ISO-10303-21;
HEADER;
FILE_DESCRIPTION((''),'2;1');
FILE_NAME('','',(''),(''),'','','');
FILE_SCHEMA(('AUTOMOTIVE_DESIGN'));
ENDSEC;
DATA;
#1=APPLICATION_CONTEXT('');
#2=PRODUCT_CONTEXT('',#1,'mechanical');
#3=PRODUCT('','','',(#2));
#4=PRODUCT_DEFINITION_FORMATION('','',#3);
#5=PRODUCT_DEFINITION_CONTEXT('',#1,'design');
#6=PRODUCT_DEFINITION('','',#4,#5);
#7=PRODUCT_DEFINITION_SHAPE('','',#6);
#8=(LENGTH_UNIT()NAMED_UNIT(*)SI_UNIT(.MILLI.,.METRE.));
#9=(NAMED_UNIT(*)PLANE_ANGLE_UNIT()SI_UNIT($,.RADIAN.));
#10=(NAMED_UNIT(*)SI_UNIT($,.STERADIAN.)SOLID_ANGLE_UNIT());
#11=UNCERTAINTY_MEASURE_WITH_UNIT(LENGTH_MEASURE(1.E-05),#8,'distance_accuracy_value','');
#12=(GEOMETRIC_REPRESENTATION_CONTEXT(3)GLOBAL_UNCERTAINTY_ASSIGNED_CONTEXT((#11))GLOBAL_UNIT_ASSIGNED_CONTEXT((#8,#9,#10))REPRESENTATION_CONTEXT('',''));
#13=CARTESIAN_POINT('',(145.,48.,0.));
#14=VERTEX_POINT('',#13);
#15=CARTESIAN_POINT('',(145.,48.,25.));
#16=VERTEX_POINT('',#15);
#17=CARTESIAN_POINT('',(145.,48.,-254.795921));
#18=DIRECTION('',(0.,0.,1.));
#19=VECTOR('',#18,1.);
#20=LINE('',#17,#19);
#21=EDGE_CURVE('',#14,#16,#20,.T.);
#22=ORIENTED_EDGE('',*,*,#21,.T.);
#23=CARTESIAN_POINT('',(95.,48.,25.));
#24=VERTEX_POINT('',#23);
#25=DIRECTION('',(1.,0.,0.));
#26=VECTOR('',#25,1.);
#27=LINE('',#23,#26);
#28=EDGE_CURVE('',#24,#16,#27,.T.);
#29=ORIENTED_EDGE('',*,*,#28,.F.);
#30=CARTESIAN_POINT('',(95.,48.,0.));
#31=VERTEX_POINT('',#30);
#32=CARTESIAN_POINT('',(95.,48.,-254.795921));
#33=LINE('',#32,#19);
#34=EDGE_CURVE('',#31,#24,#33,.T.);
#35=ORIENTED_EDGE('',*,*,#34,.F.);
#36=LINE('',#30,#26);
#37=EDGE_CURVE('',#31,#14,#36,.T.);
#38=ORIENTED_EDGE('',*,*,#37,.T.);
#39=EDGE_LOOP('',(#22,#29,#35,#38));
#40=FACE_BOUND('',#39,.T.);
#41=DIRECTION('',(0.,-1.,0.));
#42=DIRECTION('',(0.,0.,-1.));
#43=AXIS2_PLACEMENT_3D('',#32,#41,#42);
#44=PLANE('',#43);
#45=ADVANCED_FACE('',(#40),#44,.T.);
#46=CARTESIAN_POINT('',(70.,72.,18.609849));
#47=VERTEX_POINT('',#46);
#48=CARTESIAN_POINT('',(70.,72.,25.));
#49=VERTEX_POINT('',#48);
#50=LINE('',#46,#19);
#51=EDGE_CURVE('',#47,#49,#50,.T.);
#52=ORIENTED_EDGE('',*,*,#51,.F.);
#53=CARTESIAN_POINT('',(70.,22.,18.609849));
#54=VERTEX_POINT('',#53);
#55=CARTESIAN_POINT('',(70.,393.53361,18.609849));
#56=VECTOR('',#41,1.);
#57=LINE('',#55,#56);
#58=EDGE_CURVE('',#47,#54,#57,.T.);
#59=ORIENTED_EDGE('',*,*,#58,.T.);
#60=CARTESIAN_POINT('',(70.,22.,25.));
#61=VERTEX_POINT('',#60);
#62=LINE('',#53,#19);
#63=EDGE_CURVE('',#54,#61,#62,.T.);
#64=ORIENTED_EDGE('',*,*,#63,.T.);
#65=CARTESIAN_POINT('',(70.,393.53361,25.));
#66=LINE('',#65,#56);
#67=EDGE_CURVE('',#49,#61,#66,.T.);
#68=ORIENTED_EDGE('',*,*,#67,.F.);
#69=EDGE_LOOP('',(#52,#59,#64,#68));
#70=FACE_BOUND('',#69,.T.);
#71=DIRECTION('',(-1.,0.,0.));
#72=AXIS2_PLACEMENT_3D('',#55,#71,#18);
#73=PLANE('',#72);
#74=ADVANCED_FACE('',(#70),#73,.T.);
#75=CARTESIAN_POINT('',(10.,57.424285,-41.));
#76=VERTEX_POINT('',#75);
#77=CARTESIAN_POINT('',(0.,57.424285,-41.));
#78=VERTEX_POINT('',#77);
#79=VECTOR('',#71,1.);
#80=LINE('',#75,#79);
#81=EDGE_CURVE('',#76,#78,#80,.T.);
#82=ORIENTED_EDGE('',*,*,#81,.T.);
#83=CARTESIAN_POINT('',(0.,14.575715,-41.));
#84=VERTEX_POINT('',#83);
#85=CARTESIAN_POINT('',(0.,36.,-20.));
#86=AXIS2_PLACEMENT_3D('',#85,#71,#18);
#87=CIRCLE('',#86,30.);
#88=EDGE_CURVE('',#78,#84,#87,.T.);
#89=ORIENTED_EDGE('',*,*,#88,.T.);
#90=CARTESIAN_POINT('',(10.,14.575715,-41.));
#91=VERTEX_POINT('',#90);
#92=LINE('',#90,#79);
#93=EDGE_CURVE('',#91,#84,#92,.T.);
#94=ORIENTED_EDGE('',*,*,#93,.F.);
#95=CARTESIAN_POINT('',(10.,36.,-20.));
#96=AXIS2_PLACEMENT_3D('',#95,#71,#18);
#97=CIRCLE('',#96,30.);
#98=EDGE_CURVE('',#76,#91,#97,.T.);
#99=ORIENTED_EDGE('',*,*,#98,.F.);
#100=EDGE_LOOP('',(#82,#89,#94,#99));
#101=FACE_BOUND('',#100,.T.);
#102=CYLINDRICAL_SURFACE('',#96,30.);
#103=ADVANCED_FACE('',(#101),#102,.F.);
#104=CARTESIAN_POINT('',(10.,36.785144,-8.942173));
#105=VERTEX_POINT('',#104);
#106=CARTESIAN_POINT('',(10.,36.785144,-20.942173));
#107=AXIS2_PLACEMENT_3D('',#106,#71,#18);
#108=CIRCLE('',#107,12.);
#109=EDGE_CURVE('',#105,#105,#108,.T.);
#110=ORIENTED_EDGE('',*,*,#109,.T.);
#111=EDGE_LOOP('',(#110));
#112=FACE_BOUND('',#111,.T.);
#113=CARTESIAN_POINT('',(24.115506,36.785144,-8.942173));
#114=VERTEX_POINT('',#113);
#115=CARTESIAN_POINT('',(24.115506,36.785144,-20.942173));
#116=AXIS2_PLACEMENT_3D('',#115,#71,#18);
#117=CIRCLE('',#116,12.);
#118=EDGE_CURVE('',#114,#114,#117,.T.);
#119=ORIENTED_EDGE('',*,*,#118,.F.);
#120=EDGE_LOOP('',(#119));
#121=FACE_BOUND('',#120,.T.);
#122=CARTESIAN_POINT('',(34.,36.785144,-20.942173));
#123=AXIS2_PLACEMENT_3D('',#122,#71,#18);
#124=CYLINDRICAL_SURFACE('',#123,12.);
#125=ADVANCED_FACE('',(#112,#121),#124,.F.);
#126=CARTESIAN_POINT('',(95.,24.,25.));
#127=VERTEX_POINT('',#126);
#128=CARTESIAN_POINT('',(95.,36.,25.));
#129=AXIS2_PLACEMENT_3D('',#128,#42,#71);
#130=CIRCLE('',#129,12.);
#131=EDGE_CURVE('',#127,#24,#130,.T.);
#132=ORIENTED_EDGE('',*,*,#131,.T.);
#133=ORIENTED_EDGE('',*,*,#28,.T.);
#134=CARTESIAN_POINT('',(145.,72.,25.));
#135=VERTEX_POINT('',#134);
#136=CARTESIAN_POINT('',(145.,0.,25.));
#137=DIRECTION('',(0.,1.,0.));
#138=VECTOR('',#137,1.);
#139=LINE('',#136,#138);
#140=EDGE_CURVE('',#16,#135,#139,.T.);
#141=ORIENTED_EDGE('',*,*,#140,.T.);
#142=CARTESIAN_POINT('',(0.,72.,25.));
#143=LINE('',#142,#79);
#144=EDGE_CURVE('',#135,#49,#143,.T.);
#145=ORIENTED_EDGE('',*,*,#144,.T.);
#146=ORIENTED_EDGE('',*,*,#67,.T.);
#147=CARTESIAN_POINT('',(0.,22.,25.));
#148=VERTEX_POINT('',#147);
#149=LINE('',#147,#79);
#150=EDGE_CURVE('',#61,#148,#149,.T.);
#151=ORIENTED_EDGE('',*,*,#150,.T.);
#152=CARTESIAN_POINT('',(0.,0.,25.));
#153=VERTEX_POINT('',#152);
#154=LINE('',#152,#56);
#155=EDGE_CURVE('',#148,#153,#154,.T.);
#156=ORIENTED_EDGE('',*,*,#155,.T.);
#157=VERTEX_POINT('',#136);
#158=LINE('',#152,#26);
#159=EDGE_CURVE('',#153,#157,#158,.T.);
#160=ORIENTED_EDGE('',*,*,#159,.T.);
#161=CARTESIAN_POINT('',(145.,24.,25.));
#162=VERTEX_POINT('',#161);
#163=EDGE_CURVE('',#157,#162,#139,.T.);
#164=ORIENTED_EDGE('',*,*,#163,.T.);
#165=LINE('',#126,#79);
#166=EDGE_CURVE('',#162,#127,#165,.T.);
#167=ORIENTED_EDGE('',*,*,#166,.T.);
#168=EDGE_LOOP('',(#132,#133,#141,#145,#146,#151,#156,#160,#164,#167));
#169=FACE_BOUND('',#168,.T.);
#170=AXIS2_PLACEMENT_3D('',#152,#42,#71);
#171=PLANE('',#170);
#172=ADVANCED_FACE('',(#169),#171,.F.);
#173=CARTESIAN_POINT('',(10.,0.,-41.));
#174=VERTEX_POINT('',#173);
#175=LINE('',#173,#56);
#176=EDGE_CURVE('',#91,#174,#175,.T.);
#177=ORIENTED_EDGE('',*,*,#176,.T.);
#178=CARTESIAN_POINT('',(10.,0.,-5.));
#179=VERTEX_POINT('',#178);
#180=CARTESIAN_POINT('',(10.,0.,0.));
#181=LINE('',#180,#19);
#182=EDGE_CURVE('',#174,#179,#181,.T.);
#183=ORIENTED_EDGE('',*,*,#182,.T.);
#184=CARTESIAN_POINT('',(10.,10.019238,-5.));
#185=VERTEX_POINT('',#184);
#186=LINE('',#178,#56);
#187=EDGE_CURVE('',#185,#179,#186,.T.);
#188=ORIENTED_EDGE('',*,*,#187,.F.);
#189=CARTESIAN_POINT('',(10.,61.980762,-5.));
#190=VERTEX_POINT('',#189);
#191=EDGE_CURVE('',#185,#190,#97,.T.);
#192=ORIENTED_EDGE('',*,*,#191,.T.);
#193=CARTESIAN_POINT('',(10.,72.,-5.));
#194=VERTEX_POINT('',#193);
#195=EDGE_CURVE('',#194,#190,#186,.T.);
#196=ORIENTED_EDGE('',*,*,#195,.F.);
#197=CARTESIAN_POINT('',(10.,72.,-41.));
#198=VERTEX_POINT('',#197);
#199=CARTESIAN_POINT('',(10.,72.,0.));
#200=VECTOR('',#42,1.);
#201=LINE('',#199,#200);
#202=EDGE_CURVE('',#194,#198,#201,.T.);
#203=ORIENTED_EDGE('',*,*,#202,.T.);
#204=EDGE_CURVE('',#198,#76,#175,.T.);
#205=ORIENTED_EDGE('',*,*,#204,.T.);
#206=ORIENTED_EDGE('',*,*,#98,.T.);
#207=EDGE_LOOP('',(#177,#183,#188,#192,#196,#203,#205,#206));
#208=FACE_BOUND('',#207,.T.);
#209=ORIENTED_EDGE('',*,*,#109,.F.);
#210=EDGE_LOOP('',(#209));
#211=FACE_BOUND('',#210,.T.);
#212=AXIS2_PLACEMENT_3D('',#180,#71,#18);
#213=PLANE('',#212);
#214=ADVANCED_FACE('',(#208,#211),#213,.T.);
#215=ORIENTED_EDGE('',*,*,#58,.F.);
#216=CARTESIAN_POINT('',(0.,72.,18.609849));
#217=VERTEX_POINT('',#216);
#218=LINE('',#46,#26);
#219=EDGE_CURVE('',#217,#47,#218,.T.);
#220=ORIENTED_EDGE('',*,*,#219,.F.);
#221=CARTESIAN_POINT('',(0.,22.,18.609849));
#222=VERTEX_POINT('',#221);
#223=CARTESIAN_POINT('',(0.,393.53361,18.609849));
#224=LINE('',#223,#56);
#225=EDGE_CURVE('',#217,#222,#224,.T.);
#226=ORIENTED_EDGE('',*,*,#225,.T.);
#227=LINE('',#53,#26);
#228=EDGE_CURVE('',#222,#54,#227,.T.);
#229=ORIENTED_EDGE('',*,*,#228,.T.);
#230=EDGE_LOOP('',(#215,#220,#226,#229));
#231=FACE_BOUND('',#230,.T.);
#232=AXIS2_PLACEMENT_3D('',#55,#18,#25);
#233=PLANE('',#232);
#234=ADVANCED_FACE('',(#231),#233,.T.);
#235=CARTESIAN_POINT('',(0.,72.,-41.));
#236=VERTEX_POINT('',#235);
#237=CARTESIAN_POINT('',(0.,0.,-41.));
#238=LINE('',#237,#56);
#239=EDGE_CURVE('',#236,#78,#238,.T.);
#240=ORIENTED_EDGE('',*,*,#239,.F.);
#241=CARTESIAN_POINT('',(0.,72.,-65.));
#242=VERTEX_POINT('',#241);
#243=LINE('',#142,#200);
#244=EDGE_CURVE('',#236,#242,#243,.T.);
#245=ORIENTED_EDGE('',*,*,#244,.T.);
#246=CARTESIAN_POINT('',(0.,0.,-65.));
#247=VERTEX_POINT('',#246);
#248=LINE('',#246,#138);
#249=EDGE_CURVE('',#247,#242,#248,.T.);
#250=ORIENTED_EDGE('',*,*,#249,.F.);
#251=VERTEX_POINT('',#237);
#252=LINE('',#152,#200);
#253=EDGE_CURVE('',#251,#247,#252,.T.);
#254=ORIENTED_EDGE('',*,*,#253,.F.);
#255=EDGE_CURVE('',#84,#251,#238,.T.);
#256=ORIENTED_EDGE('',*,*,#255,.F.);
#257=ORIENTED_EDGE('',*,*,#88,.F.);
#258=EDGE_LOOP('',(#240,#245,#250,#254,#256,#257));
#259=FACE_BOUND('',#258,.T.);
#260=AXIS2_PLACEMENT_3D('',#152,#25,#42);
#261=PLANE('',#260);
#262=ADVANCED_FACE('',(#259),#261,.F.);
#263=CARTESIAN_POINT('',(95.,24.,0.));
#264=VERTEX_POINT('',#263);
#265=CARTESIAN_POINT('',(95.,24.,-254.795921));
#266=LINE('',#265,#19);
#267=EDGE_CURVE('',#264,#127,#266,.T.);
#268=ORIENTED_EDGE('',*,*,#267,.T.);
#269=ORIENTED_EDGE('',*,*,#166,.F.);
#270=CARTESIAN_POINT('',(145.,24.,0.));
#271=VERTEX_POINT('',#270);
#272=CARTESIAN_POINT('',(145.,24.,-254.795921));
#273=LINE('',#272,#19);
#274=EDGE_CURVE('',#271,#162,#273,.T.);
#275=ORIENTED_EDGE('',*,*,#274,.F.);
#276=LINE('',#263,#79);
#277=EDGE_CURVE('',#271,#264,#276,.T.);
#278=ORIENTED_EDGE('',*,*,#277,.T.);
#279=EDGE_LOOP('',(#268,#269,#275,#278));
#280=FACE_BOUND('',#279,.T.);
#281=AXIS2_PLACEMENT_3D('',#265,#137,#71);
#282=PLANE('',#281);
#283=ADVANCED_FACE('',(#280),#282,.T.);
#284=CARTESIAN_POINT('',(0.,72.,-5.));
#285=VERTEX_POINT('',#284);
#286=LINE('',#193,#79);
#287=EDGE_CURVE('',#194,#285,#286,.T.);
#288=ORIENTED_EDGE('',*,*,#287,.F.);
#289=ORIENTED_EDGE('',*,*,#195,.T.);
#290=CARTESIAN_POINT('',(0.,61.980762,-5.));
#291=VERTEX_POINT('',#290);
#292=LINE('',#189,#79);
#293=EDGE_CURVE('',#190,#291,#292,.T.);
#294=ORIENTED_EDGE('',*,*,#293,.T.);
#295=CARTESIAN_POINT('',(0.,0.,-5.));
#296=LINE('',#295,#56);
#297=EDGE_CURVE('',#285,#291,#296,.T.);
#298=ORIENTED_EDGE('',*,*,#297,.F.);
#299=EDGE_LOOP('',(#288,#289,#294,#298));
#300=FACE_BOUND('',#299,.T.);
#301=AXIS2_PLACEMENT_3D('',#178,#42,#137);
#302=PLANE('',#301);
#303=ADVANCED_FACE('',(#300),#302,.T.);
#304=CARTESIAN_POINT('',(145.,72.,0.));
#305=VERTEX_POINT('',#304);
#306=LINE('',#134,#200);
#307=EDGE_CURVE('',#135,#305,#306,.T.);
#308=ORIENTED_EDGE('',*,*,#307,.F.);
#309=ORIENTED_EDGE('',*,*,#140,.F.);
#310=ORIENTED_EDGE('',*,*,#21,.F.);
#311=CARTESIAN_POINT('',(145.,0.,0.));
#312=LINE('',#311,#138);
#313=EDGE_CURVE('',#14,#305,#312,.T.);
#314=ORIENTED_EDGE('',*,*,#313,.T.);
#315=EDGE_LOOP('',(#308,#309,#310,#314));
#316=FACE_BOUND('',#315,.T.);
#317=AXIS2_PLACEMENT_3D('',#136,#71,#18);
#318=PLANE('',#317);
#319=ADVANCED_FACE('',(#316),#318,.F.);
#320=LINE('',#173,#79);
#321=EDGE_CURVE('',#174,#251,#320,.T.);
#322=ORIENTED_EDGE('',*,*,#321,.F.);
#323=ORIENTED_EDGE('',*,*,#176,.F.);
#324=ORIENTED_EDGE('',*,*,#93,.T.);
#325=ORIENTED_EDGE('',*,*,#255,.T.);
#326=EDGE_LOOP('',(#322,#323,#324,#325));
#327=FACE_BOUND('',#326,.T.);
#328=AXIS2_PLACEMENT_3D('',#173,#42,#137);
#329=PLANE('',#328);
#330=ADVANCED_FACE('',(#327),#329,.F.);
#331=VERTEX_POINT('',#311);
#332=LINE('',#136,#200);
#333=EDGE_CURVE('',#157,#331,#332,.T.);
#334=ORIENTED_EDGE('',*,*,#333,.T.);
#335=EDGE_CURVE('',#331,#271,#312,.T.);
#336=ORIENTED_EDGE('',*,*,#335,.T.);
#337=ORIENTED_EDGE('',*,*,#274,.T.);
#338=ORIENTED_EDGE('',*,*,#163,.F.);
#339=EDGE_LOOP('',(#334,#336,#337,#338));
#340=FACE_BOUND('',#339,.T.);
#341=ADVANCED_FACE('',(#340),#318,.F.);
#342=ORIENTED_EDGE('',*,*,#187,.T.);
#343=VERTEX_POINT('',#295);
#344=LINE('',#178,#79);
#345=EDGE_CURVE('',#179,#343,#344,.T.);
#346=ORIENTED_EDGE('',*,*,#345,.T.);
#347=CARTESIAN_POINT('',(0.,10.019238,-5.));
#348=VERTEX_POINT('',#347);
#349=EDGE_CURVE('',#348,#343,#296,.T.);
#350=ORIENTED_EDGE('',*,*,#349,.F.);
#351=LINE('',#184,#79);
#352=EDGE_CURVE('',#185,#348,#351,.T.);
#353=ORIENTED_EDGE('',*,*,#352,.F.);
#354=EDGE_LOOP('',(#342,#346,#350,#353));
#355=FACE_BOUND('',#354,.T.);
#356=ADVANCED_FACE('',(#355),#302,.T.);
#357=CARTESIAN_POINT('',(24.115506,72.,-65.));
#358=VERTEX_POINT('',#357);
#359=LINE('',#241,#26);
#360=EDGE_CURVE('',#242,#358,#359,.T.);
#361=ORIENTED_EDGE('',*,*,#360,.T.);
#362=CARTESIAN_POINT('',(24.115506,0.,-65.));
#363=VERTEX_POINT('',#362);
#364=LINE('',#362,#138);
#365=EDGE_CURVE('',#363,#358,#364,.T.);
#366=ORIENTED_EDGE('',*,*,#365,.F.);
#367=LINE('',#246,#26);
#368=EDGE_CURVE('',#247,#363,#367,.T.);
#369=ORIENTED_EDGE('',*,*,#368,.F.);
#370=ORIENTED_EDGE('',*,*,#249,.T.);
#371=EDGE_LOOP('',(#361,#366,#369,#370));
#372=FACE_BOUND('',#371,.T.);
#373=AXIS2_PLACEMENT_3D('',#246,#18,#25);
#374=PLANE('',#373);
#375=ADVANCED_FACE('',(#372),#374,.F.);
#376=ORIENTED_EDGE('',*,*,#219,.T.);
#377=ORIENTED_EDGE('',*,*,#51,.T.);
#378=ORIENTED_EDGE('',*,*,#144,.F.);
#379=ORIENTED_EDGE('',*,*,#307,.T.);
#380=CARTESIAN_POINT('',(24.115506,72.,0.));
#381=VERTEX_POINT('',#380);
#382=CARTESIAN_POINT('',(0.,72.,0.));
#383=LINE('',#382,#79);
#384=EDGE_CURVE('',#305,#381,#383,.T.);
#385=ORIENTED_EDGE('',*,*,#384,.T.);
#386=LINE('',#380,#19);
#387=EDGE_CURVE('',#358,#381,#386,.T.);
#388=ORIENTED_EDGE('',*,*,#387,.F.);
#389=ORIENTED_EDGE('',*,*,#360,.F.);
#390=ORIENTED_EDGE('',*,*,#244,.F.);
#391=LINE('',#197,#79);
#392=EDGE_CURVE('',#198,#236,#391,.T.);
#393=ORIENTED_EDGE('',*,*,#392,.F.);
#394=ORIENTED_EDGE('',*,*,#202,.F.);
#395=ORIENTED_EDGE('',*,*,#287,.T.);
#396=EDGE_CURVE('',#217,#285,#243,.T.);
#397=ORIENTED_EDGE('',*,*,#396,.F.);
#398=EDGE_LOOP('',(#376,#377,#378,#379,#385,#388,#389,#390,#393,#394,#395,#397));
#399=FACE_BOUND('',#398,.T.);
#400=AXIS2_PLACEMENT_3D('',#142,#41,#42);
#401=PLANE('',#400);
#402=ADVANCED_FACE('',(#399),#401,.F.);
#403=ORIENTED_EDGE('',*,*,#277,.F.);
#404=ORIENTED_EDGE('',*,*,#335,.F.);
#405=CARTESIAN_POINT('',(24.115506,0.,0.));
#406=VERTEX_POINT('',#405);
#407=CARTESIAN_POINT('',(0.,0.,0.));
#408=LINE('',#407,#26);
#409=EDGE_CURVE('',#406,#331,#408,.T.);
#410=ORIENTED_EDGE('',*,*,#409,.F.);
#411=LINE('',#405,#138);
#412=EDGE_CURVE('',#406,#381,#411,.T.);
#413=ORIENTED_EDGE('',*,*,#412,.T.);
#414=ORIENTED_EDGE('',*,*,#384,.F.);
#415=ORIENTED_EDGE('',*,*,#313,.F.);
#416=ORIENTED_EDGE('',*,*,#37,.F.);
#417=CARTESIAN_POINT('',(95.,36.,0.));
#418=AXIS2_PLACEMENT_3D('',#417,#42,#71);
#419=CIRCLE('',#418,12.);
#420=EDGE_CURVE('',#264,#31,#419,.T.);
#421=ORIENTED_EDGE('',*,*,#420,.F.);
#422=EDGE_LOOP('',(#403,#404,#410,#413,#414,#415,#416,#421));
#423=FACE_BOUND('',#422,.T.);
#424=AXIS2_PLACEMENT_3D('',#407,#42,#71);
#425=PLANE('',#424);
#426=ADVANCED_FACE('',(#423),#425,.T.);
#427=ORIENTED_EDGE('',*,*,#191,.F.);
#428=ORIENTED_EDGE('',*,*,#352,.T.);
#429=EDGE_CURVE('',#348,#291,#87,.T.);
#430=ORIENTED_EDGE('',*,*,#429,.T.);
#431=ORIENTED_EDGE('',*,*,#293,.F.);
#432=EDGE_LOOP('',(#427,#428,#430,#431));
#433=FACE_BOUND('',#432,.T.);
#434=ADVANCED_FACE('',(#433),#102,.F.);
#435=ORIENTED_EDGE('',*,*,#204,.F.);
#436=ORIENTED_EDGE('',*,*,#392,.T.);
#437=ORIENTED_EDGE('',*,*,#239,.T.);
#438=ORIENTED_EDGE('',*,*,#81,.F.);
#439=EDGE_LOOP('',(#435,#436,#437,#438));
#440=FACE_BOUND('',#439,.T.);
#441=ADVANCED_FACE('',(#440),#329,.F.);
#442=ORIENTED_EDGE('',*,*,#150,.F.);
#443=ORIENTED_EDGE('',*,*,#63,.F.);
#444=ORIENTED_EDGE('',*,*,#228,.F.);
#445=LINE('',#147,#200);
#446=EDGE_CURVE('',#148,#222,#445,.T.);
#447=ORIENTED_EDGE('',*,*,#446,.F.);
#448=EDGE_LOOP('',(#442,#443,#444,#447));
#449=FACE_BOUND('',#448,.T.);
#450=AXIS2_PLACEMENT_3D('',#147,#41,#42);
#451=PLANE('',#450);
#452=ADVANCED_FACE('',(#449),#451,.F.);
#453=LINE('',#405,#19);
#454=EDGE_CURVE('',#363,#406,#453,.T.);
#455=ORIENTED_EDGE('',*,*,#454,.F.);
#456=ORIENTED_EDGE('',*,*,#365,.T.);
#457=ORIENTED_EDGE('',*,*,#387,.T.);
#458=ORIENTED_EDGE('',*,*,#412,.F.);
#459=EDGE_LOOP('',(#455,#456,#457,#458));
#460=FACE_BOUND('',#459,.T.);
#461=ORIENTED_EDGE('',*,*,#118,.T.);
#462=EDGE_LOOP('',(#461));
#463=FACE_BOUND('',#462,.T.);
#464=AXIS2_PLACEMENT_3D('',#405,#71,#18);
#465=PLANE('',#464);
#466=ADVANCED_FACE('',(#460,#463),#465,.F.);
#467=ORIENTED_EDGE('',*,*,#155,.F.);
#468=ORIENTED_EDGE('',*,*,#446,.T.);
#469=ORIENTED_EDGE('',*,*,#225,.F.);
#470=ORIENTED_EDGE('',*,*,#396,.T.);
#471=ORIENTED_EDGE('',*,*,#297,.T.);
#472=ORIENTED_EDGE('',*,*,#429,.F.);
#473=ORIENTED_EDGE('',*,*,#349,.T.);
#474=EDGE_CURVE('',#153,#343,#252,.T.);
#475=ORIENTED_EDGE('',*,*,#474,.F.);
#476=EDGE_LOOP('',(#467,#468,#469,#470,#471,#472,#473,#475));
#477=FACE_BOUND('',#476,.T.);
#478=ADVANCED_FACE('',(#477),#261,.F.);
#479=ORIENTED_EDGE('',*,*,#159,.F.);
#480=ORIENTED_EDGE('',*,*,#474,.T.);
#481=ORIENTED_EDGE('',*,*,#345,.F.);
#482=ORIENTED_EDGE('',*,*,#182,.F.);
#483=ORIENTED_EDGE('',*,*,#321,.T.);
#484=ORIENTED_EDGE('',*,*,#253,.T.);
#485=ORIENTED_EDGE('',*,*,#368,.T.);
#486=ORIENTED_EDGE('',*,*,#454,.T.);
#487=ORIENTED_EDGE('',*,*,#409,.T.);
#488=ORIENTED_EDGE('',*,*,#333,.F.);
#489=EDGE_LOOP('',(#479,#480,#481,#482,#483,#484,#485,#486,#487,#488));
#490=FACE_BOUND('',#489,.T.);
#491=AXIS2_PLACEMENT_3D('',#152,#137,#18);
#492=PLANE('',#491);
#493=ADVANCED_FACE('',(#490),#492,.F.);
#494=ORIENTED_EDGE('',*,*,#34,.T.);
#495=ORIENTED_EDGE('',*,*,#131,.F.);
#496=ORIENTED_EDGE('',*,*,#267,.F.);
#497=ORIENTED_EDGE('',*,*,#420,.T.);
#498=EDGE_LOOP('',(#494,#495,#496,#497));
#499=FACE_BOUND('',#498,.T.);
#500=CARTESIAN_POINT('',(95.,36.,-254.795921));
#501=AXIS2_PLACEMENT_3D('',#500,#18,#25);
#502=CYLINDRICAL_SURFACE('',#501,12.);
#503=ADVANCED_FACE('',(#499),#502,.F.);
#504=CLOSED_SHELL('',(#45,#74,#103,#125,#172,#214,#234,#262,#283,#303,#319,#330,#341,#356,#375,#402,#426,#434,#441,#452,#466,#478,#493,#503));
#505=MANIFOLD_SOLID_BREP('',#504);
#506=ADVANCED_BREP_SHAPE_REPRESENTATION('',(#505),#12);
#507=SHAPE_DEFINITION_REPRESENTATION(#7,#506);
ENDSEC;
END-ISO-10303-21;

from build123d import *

# Parameters (mm, degrees)
SKETCH1_W               = 145
SKETCH1_H               = 72
BOSS_EXTRUDE1_DEPTH     = 25
BOSS_EXTRUDE13_DEPTH    = 72
SKETCH16_R              = 12
CUT_EXTRUDE1_DEPTH      = 10
CUT_EXTRUDE2_DEPTH      = 175.453432182
CUT_EXTRUDE2_DEPTH_BACK = 50
SKETCH17_W              = 70
SKETCH17_H              = 6.390151493
SKETCH18_R              = 12
CUT_EXTRUDE3_DEPTH      = 24
CUT_EXTRUDE4_DEPTH      = 175.453432182
CUT_EXTRUDE4_DEPTH_BACK = 25


with BuildPart() as part:
    # Sketch1 → Boss-Extrude1 (new body)
    with BuildSketch(Plane.XY):
        with Locations((72.5, 36)):
            Rectangle(SKETCH1_W, SKETCH1_H)
    extrude(amount=BOSS_EXTRUDE1_DEPTH)

    # Sketch5 → Boss-Extrude13 (add)
    with BuildSketch(Plane(origin=(0, 72, 0), x_dir=(1, 0, 0), z_dir=(0, 1, 0))):
        Polygon((0, 65), (0, 0), (1.798699266, 0), (24.115506302, 0), (24.115506302, 65), align=None)
    extrude(amount=-BOSS_EXTRUDE13_DEPTH)

    # Sketch16 → Cut-Extrude1 (cut)
    # profile 1 of 6: a face of its own
    with BuildSketch(Plane.ZY):
        with BuildLine():
            ThreePointArc((-5, 61.980762114), (-23.767010787, 65.762554153), (-41, 57.424285286))
            Line((-41, 57.424285286), (-41, 14.575714714))
            ThreePointArc((-41, 14.575714714), (-23.767010787, 6.237445847), (-5, 10.019237886))
            Line((-5, 10.019237886), (-5, 61.980762114))
        make_face()
        with Locations((-20, 36)):
            Circle(SKETCH16_R, mode=Mode.SUBTRACT)
    # profile 2 of 6: a face of its own
    with BuildSketch(Plane.ZY):
        with Locations((-20, 36)):
            Circle(SKETCH16_R)
    # profile 3 of 6: a face of its own
    with BuildSketch(Plane.ZY):
        with BuildLine():
            ThreePointArc((10, 36), (5.980762114, 51), (-5, 61.980762114))
            Line((-5, 61.980762114), (-5, 10.019237886))
            ThreePointArc((-5, 10.019237886), (5.980762114, 21), (10, 36))
        make_face()
    # profile 4 of 6: a face of its own
    with BuildSketch(Plane.ZY):
        with BuildLine():
            Line((-41, 14.575714714), (-41, 57.424285286))
            ThreePointArc((-41, 57.424285286), (-50, 36), (-41, 14.575714714))
        make_face()
    # profile 5 of 6: a face of its own
    with BuildSketch(Plane.ZY):
        with BuildLine():
            Line((-5, 72), (-41, 72))
            Line((-41, 72), (-41, 57.424285286))
            ThreePointArc((-41, 57.424285286), (-23.767010787, 65.762554153), (-5, 61.980762114))
            Line((-5, 61.980762114), (-5, 72))
        make_face()
    # profile 6 of 6: a face of its own
    with BuildSketch(Plane.ZY):
        with BuildLine():
            ThreePointArc((-5, 10.019237886), (-23.767010787, 6.237445847), (-41, 14.575714714))
            Line((-41, 14.575714714), (-41, 0))
            Line((-41, 0), (-5, 0))
            Line((-5, 0), (-5, 10.019237886))
        make_face()
    extrude(amount=-CUT_EXTRUDE1_DEPTH, mode=Mode.SUBTRACT)

    # Sketch17 → Cut-Extrude2 (cut, two sides: drawn at the far end of the back side and taken through both)
    with BuildSketch(Plane(origin=(0, 72, 0), x_dir=(1, 0, 0), z_dir=(0, 1, 0)).offset(-CUT_EXTRUDE2_DEPTH_BACK)):
        with Locations((35, -21.804924254)):
            Rectangle(SKETCH17_W, SKETCH17_H)
    extrude(amount=CUT_EXTRUDE2_DEPTH + CUT_EXTRUDE2_DEPTH_BACK, mode=Mode.SUBTRACT)

    # Sketch18 → Cut-Extrude3 (cut)
    with BuildSketch(Plane.ZY.offset(-10)):
        with Locations((-20.942172697, 36.785143914)):
            Circle(SKETCH18_R)
    extrude(amount=-CUT_EXTRUDE3_DEPTH, mode=Mode.SUBTRACT)

    # Sketch19 → Cut-Extrude4 (cut, two sides: drawn at the far end of the back side and taken through both)
    with BuildSketch(Plane(origin=(0, 0, 0), x_dir=(-1, 0, 0), z_dir=(0, 0, -1)).offset(-CUT_EXTRUDE4_DEPTH_BACK)):
        with BuildLine():
            Line((-145, 24), (-95, 24))
            ThreePointArc((-95, 24), (-83, 36), (-95, 48))
            Line((-95, 48), (-145, 48))
            Line((-145, 48), (-145, 24))
        make_face()
    extrude(amount=CUT_EXTRUDE4_DEPTH + CUT_EXTRUDE4_DEPTH_BACK, mode=Mode.SUBTRACT)


solid = part.part
